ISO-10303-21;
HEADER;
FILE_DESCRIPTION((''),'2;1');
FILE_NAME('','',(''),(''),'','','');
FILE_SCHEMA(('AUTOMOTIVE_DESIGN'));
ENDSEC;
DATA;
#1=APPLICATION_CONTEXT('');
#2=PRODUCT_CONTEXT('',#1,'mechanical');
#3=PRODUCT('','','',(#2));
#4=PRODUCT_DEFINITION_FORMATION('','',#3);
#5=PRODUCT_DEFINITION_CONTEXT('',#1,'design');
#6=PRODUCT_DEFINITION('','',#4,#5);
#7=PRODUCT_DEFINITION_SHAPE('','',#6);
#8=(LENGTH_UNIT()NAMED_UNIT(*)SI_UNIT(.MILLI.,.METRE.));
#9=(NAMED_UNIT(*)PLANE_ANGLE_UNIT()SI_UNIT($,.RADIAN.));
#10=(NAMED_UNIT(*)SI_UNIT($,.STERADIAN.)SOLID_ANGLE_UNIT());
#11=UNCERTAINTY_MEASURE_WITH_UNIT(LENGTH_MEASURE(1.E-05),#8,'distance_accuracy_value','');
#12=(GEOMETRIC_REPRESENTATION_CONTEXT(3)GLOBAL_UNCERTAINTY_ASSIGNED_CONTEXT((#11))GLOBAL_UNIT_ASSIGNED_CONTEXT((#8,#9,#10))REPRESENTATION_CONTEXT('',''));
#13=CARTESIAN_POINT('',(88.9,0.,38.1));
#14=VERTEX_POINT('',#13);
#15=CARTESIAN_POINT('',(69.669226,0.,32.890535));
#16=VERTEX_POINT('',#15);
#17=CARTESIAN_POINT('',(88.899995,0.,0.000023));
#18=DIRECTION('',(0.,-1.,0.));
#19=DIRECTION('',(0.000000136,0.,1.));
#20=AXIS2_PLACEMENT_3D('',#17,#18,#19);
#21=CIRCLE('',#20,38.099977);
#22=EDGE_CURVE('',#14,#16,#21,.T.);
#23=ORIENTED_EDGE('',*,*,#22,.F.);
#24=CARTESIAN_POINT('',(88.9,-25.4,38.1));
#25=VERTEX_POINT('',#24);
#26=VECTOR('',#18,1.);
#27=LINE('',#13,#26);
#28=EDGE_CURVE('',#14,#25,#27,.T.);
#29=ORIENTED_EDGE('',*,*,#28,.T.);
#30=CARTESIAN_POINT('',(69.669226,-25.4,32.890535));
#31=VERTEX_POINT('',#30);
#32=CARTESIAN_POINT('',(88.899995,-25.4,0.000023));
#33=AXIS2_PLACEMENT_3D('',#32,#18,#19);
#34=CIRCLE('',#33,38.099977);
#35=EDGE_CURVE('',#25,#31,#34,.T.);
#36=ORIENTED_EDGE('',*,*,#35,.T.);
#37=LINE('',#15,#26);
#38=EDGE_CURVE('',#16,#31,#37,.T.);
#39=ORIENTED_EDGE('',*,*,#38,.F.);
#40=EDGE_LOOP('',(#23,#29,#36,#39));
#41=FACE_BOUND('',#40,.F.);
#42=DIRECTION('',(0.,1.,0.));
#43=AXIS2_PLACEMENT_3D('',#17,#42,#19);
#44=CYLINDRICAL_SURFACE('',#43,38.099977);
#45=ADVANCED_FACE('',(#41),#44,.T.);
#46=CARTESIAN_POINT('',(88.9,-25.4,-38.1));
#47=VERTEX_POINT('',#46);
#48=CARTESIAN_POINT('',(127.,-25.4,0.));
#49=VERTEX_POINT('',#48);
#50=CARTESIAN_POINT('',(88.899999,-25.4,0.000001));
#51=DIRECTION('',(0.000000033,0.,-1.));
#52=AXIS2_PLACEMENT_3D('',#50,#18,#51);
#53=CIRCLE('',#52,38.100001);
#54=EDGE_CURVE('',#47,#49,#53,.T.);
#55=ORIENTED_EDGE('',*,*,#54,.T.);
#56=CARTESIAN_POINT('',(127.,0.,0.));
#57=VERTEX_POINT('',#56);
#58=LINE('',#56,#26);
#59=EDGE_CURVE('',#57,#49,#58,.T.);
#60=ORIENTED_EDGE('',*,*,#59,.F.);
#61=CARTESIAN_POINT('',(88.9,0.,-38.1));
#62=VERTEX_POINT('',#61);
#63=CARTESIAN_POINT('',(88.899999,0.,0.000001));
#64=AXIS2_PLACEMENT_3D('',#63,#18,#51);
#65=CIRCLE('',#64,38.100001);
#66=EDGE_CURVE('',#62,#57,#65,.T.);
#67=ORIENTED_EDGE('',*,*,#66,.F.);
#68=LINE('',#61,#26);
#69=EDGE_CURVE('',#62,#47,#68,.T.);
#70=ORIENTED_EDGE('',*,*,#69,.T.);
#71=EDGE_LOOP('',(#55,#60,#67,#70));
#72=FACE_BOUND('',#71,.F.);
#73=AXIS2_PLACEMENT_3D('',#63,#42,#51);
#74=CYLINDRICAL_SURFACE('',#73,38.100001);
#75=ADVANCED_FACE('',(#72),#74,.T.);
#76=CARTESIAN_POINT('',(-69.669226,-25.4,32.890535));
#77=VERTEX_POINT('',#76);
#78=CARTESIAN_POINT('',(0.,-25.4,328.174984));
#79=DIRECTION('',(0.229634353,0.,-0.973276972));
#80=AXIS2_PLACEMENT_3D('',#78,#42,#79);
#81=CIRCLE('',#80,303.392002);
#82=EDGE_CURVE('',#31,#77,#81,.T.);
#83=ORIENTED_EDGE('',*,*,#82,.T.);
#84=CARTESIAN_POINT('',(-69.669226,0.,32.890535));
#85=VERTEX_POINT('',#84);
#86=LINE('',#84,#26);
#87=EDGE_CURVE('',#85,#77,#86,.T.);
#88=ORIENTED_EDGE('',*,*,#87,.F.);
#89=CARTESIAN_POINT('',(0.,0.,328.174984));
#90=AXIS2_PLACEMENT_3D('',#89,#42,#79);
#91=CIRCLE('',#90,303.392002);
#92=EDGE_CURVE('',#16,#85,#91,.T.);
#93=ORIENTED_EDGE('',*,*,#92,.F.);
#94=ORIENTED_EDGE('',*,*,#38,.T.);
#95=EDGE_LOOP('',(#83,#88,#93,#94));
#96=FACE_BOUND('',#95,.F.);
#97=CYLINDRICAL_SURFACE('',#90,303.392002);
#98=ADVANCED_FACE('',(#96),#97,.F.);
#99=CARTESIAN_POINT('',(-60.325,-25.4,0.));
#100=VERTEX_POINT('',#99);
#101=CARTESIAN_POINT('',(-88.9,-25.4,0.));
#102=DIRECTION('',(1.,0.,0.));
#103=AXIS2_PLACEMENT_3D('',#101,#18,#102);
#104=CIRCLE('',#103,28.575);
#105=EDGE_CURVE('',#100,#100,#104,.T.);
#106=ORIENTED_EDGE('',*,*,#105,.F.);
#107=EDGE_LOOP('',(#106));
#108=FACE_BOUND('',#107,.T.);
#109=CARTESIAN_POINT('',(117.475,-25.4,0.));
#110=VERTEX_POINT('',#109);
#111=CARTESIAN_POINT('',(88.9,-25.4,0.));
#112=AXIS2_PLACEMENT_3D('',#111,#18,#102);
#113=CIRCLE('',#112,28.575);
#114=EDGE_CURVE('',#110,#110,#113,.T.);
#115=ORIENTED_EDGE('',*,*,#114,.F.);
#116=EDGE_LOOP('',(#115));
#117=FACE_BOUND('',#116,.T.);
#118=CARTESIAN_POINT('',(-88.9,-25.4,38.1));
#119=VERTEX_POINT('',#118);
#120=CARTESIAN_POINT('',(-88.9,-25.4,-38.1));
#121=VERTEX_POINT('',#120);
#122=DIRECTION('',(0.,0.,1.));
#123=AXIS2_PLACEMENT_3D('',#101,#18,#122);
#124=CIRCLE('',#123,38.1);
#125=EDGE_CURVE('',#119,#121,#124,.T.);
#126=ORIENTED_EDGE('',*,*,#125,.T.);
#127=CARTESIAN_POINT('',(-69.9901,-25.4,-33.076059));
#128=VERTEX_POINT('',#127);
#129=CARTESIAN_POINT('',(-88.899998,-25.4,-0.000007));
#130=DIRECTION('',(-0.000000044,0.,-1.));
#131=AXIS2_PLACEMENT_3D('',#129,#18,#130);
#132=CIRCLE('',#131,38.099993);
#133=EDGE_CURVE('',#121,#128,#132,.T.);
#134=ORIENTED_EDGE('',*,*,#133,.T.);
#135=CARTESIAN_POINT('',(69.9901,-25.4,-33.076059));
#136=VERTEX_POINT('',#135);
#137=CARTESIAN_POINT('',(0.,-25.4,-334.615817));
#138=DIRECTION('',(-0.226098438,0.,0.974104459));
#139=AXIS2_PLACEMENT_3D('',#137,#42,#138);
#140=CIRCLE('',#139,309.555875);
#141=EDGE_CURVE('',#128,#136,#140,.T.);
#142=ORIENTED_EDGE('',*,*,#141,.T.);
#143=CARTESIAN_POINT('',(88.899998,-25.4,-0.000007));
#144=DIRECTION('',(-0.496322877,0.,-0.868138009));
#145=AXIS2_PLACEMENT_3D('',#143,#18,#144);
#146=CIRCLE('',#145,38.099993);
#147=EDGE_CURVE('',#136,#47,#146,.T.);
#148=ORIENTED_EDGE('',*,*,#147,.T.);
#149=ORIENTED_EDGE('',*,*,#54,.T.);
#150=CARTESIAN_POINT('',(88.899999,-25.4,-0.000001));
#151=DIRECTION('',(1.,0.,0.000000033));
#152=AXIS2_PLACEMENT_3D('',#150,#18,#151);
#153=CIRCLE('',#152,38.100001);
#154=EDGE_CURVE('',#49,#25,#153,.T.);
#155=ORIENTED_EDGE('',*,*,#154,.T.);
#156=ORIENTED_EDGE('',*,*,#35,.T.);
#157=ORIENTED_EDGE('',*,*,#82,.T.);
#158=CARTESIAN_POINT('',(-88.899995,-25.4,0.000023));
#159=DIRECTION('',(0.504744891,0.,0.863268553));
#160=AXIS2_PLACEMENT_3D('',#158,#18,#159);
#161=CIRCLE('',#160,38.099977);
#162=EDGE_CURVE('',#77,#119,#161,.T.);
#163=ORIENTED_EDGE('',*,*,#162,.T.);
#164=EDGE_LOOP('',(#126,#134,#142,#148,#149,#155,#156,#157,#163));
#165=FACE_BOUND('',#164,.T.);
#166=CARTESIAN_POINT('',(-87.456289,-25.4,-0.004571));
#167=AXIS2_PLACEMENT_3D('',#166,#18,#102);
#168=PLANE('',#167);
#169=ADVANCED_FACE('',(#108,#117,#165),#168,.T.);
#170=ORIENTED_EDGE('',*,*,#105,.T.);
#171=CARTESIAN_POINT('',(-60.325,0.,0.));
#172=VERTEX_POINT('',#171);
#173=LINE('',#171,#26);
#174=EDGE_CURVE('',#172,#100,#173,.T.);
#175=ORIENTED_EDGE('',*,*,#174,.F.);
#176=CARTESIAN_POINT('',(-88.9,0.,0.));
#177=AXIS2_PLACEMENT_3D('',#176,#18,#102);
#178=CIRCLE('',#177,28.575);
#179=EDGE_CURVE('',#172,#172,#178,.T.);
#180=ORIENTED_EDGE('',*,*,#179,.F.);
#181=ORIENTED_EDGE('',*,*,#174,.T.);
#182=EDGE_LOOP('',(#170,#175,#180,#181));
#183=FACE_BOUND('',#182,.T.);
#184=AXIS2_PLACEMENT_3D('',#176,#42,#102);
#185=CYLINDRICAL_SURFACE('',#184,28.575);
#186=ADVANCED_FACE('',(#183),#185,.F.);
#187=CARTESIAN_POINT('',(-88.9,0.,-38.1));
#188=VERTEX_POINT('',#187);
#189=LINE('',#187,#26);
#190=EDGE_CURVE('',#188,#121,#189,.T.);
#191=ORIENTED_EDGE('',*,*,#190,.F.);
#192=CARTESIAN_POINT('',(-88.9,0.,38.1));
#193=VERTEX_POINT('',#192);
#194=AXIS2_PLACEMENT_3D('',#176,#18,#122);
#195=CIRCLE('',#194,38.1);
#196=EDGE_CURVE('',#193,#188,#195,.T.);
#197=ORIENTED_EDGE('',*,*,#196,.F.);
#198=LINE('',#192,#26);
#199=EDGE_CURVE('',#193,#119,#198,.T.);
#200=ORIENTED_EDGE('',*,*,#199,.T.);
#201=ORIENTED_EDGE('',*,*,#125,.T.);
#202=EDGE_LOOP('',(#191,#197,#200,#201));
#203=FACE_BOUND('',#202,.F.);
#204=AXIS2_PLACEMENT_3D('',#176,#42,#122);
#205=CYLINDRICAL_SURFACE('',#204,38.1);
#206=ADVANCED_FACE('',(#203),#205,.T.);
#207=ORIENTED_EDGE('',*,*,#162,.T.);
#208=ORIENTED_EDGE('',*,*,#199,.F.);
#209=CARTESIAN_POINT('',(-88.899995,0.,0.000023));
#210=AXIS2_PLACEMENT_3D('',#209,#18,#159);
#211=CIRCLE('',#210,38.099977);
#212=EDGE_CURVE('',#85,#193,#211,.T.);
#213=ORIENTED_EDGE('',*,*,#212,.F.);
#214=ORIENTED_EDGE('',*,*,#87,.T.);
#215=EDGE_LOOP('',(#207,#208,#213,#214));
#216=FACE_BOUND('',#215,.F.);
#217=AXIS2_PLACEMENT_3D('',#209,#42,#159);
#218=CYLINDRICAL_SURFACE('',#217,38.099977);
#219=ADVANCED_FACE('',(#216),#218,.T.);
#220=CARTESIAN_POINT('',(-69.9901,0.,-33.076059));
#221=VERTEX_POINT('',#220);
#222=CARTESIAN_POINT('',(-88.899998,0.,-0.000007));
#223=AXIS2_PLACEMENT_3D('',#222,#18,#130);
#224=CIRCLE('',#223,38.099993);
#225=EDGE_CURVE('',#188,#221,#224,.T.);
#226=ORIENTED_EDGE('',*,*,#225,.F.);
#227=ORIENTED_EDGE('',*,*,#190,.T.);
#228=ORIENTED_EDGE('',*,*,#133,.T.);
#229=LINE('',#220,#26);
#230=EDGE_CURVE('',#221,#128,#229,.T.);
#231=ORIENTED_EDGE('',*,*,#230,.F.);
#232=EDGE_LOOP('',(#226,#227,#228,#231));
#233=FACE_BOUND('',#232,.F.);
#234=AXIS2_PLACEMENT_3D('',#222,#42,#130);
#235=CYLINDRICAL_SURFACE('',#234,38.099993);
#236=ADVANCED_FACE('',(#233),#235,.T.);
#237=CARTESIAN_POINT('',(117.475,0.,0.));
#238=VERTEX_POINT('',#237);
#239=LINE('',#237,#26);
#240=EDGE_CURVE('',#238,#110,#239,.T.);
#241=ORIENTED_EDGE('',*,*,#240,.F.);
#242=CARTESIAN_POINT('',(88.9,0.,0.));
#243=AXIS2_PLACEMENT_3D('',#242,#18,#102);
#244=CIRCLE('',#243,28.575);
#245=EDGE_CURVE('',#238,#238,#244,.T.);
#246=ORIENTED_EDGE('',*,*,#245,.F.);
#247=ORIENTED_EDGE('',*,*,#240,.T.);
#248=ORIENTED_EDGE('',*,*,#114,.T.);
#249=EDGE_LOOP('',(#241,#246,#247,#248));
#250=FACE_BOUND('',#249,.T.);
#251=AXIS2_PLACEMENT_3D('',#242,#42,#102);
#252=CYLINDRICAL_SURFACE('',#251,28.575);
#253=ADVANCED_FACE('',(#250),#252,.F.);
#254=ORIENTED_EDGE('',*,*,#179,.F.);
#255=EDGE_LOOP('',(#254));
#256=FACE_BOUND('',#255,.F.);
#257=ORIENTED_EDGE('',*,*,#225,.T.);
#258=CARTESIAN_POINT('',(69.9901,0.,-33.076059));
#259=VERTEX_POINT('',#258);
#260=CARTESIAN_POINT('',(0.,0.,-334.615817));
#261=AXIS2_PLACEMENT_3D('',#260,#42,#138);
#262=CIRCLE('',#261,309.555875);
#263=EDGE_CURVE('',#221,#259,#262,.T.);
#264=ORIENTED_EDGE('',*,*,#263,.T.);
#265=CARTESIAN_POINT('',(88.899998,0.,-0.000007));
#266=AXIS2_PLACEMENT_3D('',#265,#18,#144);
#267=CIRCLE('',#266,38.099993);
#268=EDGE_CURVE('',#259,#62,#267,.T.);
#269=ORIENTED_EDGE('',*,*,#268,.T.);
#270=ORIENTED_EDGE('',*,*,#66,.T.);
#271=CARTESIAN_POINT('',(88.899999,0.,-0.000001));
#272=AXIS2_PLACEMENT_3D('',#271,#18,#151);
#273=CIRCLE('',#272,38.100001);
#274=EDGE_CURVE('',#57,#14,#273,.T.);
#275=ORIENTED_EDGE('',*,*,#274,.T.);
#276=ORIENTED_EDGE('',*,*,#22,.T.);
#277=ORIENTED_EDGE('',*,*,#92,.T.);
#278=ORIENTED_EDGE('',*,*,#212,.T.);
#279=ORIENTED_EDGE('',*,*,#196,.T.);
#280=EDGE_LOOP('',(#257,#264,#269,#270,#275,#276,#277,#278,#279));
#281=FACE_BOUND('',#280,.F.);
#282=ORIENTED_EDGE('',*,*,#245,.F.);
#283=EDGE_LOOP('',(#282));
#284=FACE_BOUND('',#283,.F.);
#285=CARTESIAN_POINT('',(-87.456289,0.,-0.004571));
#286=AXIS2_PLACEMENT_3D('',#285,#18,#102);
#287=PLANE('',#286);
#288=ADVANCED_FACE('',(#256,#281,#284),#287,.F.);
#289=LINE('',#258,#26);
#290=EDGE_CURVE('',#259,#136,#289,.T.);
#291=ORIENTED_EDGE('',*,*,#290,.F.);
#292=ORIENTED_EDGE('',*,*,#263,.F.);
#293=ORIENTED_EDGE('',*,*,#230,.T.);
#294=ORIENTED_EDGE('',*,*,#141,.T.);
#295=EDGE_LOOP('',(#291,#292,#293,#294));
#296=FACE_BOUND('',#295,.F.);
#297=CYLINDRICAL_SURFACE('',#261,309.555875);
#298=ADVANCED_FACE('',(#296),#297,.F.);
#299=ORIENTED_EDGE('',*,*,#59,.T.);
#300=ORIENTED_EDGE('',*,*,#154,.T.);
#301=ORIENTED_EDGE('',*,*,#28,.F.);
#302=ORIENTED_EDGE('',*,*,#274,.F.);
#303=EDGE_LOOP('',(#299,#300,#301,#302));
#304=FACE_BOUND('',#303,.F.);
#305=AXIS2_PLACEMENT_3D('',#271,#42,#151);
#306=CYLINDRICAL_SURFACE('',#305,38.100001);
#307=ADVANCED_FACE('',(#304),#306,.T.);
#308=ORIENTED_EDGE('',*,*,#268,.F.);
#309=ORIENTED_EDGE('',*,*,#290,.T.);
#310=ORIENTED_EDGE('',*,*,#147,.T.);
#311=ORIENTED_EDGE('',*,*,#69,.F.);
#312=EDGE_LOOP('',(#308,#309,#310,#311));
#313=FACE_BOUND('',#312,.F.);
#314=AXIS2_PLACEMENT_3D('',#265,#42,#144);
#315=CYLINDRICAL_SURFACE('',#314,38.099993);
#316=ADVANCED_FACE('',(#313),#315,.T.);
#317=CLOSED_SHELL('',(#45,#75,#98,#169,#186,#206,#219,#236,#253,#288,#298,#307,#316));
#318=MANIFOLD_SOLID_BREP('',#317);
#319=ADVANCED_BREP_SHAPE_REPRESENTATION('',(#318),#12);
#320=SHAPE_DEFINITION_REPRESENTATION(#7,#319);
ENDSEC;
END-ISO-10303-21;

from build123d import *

# Parameters (mm, degrees)
F0_R     = 28.575
F1_DEPTH = 25.4


with BuildPart() as f1:
    # F0 (on Front) → F1 (new body)
    with BuildSketch(Plane.XZ):
        with BuildLine():
            ThreePointArc((-69.669226, 32.890535), (-79.327388, 35.337363), (-88.9, 38.1))
            ThreePointArc((-88.9, 38.1), (-127, 0), (-88.9, -38.1))
            ThreePointArc((-88.9, -38.1), (-79.484753, -35.438589), (-69.9901, -33.076059))
            ThreePointArc((-69.9901, -33.076059), (-55.9449, -19.119922), (-50.8, 0))
            ThreePointArc((-50.8, 0), (-55.852288, 18.959397), (-69.669226, 32.890535))
        make_face()
        with Locations((-88.9, 0)):
            Circle(F0_R, mode=Mode.SUBTRACT)
        with BuildLine():
            ThreePointArc((-69.669226, 32.890535), (-78.938057, 36.77458), (-88.9, 38.1))
            ThreePointArc((-88.9, 38.1), (-79.327388, 35.337363), (-69.669226, 32.890535))
        make_face()
        with BuildLine():
            ThreePointArc((-69.9901, -33.076059), (-79.484753, -35.438589), (-88.9, -38.1))
            ThreePointArc((-88.9, -38.1), (-79.117052, -36.822601), (-69.9901, -33.076059))
        make_face()
        with BuildLine():
            ThreePointArc((69.669226, 32.890535), (0, 24.782982), (-69.669226, 32.890535))
            ThreePointArc((-69.669226, 32.890535), (-55.852288, 18.959397), (-50.8, 0))
            ThreePointArc((-50.8, 0), (-55.9449, -19.119922), (-69.9901, -33.076059))
            ThreePointArc((-69.9901, -33.076059), (0, -25.059942), (69.9901, -33.076059))
            ThreePointArc((69.9901, -33.076059), (50.800451, -0.185323), (69.669226, 32.890535))
        make_face()
        with BuildLine():
            ThreePointArc((88.9, 38.1), (79.327388, 35.337363), (69.669226, 32.890535))
            ThreePointArc((69.669226, 32.890535), (50.800451, -0.185323), (69.9901, -33.076059))
            ThreePointArc((69.9901, -33.076059), (79.484753, -35.438589), (88.9, -38.1))
            ThreePointArc((88.9, -38.1), (115.840768, -26.940768), (127, 0))
            ThreePointArc((127, 0), (115.840768, 26.940768), (88.9, 38.1))
        make_face()
        with Locations((88.9, 0)):
            Circle(F0_R, mode=Mode.SUBTRACT)
        with BuildLine():
            ThreePointArc((88.9, 38.1), (78.938057, 36.77458), (69.669226, 32.890535))
            ThreePointArc((69.669226, 32.890535), (79.327388, 35.337363), (88.9, 38.1))
        make_face()
        with BuildLine():
            ThreePointArc((88.9, -38.1), (79.484753, -35.438589), (69.9901, -33.076059))
            ThreePointArc((69.9901, -33.076059), (79.117052, -36.822601), (88.9, -38.1))
        make_face()
    extrude(amount=F1_DEPTH)


solid = f1.part
